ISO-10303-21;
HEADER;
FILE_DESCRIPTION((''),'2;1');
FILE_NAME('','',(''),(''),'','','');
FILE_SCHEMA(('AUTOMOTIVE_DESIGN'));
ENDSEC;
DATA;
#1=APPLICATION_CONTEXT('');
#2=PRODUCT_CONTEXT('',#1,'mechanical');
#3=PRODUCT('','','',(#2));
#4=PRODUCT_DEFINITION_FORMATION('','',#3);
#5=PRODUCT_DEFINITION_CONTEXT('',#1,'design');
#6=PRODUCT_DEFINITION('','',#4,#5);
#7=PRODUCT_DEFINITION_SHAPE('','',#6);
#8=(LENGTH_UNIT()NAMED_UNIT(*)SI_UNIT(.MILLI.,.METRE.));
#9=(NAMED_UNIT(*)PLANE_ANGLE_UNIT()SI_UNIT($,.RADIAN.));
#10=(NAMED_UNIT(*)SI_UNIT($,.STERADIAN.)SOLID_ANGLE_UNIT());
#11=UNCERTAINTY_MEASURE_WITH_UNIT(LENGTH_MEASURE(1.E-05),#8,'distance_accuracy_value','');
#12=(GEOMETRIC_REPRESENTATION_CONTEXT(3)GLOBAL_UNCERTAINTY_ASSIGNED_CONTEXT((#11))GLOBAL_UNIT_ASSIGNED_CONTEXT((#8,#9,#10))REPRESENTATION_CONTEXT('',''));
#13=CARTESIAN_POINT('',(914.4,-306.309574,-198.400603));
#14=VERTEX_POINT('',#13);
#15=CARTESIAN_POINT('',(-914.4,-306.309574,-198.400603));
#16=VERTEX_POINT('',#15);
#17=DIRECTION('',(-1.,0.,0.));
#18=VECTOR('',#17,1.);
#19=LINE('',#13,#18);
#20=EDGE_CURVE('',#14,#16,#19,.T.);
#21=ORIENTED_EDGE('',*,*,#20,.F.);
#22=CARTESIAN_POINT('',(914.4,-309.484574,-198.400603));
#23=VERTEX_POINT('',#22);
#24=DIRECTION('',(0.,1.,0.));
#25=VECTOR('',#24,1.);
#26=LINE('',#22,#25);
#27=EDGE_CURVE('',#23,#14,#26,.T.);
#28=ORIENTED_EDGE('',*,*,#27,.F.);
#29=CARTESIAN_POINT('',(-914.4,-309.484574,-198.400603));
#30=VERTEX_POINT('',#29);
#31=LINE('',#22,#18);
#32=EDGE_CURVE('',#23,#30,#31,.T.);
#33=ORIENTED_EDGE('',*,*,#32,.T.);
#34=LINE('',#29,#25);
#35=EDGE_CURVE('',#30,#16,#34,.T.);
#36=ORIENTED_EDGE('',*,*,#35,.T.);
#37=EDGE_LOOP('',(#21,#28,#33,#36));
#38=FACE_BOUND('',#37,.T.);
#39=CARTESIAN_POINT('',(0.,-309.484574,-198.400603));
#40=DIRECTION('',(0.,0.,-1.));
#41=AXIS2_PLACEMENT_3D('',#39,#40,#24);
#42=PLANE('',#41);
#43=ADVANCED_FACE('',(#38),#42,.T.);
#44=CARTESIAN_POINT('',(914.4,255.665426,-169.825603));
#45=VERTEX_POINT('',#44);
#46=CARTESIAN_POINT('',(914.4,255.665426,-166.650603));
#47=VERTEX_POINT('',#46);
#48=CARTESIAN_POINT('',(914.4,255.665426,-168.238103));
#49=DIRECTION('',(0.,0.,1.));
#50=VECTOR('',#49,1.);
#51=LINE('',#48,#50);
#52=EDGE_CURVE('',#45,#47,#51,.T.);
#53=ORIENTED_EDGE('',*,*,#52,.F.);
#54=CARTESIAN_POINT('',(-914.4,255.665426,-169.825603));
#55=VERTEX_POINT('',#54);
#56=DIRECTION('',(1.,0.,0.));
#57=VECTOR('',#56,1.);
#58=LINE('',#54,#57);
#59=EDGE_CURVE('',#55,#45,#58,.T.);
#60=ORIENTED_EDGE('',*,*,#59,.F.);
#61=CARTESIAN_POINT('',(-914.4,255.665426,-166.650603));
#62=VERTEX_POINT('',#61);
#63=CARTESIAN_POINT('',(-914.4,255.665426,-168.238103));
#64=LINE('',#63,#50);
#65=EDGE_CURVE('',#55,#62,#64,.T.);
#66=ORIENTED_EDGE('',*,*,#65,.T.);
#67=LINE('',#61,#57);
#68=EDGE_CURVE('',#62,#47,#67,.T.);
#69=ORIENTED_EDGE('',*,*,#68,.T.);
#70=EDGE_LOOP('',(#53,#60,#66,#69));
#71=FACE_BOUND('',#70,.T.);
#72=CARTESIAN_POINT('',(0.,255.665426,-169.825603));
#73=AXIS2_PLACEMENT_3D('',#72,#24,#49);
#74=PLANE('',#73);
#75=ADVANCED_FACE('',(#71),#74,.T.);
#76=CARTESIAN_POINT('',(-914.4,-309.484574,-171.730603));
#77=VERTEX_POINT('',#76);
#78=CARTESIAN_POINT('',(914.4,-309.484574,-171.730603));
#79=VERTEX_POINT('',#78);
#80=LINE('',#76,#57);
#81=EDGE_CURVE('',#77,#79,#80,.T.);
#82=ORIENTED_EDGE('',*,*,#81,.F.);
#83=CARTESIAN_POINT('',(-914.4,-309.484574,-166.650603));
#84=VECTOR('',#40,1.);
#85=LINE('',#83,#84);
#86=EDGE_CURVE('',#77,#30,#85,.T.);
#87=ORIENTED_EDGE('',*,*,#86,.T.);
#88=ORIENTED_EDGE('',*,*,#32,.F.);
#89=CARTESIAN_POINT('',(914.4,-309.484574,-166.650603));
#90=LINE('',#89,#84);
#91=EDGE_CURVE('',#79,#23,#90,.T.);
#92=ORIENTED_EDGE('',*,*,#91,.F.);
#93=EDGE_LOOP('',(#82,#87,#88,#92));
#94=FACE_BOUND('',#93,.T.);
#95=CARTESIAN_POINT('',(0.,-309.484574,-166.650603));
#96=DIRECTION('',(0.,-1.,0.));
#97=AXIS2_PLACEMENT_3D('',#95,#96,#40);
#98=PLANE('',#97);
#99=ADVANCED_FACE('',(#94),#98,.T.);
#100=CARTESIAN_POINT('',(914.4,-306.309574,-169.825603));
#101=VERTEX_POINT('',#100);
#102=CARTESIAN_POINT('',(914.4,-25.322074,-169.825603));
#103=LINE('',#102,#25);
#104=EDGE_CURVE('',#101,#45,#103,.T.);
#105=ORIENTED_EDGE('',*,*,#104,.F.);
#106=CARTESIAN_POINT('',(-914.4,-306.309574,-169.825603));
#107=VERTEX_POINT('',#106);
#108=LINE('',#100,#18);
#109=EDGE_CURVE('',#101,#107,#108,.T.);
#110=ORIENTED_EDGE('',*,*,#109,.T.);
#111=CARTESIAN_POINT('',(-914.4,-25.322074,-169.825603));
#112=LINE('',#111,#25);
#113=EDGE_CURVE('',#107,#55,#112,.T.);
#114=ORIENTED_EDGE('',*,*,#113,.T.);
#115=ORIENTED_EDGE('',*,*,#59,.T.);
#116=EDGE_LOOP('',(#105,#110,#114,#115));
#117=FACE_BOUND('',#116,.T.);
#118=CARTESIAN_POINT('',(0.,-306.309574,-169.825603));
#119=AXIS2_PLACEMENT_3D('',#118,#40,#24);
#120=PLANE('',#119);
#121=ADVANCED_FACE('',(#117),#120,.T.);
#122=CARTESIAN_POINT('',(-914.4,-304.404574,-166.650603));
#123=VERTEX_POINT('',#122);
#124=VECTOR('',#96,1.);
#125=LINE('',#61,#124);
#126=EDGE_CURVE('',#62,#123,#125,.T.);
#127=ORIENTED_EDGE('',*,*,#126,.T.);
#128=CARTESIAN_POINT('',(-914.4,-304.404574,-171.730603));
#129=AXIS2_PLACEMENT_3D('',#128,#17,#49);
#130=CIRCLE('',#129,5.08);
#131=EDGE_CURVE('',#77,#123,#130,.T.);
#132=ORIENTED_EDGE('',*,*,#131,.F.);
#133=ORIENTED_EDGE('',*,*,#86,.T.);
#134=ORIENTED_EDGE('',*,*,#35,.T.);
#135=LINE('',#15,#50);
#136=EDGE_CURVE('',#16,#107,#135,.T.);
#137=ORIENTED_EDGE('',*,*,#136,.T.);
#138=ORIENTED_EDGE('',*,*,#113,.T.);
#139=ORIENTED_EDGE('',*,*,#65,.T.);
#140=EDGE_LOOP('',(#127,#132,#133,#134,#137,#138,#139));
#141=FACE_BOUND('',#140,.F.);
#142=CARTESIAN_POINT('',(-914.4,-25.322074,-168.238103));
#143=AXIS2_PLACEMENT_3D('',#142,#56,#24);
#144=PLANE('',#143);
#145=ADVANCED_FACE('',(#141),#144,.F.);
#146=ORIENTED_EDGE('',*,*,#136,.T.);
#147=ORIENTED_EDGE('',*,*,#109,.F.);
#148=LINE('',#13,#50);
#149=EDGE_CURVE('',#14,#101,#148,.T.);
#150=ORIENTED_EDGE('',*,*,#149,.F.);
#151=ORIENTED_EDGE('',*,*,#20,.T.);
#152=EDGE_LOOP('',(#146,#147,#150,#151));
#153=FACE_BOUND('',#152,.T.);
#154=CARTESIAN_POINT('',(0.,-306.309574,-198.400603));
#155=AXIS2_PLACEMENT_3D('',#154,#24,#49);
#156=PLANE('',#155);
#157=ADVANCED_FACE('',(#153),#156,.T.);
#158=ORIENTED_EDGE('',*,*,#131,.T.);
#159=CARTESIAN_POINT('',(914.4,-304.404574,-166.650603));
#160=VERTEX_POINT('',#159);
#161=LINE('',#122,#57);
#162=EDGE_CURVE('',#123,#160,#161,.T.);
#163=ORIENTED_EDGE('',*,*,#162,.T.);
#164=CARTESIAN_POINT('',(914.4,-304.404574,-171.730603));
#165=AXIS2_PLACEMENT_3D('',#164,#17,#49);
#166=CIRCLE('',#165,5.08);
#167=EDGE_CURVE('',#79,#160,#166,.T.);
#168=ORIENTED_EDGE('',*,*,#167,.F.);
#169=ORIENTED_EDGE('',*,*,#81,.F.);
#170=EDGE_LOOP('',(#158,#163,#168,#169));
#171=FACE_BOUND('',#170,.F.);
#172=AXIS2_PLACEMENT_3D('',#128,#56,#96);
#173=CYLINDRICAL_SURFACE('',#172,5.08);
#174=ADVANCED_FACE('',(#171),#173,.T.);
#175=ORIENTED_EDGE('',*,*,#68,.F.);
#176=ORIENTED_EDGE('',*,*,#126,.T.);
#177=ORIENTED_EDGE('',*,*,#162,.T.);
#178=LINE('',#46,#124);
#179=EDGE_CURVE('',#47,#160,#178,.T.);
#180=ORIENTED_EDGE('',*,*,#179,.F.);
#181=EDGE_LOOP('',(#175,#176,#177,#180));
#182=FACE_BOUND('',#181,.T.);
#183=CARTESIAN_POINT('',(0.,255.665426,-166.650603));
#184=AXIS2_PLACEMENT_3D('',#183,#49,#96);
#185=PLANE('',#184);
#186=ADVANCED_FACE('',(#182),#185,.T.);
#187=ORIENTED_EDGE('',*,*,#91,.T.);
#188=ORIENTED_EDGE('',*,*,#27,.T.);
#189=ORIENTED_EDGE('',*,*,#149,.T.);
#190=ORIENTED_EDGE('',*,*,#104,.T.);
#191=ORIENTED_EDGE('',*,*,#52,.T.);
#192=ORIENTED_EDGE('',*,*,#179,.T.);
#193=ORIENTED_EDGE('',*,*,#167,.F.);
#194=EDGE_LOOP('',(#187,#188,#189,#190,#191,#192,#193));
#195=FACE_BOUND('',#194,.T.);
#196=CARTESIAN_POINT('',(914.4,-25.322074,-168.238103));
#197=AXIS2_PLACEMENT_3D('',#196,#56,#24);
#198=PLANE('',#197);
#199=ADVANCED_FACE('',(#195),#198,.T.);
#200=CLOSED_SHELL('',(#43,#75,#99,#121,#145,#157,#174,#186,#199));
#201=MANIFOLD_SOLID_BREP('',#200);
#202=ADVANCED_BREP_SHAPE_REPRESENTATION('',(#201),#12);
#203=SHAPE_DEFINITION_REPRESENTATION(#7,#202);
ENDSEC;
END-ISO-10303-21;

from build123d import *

# Parameters (mm, degrees)
F0_W     = 561.975
F0_H     = 3.175
F1_DEPTH = 914.4
F2_R     = 5.08


with BuildPart() as f1:
    # F0 (on Right) → F1 (new body, symmetric)
    with BuildSketch(Plane.YZ):
        with Locations((-25.322074132, -168.2381033317)):
            Rectangle(F0_W, F0_H)
        Polygon((-306.309574132, -169.8256033317), (-306.309574132, -166.6506033317), (-309.484574132, -166.6506033317), (-309.484574132, -198.4006033317), (-306.309574132, -198.4006033317), align=None)
    extrude(amount=F1_DEPTH, both=True)

    # F2
    f2_edges = [f1.edges().sort_by_distance(p)[0] for p in [
        (0, -309.484574, -166.650603),
    ]]
    fillet(f2_edges, radius=F2_R)


solid = f1.part
